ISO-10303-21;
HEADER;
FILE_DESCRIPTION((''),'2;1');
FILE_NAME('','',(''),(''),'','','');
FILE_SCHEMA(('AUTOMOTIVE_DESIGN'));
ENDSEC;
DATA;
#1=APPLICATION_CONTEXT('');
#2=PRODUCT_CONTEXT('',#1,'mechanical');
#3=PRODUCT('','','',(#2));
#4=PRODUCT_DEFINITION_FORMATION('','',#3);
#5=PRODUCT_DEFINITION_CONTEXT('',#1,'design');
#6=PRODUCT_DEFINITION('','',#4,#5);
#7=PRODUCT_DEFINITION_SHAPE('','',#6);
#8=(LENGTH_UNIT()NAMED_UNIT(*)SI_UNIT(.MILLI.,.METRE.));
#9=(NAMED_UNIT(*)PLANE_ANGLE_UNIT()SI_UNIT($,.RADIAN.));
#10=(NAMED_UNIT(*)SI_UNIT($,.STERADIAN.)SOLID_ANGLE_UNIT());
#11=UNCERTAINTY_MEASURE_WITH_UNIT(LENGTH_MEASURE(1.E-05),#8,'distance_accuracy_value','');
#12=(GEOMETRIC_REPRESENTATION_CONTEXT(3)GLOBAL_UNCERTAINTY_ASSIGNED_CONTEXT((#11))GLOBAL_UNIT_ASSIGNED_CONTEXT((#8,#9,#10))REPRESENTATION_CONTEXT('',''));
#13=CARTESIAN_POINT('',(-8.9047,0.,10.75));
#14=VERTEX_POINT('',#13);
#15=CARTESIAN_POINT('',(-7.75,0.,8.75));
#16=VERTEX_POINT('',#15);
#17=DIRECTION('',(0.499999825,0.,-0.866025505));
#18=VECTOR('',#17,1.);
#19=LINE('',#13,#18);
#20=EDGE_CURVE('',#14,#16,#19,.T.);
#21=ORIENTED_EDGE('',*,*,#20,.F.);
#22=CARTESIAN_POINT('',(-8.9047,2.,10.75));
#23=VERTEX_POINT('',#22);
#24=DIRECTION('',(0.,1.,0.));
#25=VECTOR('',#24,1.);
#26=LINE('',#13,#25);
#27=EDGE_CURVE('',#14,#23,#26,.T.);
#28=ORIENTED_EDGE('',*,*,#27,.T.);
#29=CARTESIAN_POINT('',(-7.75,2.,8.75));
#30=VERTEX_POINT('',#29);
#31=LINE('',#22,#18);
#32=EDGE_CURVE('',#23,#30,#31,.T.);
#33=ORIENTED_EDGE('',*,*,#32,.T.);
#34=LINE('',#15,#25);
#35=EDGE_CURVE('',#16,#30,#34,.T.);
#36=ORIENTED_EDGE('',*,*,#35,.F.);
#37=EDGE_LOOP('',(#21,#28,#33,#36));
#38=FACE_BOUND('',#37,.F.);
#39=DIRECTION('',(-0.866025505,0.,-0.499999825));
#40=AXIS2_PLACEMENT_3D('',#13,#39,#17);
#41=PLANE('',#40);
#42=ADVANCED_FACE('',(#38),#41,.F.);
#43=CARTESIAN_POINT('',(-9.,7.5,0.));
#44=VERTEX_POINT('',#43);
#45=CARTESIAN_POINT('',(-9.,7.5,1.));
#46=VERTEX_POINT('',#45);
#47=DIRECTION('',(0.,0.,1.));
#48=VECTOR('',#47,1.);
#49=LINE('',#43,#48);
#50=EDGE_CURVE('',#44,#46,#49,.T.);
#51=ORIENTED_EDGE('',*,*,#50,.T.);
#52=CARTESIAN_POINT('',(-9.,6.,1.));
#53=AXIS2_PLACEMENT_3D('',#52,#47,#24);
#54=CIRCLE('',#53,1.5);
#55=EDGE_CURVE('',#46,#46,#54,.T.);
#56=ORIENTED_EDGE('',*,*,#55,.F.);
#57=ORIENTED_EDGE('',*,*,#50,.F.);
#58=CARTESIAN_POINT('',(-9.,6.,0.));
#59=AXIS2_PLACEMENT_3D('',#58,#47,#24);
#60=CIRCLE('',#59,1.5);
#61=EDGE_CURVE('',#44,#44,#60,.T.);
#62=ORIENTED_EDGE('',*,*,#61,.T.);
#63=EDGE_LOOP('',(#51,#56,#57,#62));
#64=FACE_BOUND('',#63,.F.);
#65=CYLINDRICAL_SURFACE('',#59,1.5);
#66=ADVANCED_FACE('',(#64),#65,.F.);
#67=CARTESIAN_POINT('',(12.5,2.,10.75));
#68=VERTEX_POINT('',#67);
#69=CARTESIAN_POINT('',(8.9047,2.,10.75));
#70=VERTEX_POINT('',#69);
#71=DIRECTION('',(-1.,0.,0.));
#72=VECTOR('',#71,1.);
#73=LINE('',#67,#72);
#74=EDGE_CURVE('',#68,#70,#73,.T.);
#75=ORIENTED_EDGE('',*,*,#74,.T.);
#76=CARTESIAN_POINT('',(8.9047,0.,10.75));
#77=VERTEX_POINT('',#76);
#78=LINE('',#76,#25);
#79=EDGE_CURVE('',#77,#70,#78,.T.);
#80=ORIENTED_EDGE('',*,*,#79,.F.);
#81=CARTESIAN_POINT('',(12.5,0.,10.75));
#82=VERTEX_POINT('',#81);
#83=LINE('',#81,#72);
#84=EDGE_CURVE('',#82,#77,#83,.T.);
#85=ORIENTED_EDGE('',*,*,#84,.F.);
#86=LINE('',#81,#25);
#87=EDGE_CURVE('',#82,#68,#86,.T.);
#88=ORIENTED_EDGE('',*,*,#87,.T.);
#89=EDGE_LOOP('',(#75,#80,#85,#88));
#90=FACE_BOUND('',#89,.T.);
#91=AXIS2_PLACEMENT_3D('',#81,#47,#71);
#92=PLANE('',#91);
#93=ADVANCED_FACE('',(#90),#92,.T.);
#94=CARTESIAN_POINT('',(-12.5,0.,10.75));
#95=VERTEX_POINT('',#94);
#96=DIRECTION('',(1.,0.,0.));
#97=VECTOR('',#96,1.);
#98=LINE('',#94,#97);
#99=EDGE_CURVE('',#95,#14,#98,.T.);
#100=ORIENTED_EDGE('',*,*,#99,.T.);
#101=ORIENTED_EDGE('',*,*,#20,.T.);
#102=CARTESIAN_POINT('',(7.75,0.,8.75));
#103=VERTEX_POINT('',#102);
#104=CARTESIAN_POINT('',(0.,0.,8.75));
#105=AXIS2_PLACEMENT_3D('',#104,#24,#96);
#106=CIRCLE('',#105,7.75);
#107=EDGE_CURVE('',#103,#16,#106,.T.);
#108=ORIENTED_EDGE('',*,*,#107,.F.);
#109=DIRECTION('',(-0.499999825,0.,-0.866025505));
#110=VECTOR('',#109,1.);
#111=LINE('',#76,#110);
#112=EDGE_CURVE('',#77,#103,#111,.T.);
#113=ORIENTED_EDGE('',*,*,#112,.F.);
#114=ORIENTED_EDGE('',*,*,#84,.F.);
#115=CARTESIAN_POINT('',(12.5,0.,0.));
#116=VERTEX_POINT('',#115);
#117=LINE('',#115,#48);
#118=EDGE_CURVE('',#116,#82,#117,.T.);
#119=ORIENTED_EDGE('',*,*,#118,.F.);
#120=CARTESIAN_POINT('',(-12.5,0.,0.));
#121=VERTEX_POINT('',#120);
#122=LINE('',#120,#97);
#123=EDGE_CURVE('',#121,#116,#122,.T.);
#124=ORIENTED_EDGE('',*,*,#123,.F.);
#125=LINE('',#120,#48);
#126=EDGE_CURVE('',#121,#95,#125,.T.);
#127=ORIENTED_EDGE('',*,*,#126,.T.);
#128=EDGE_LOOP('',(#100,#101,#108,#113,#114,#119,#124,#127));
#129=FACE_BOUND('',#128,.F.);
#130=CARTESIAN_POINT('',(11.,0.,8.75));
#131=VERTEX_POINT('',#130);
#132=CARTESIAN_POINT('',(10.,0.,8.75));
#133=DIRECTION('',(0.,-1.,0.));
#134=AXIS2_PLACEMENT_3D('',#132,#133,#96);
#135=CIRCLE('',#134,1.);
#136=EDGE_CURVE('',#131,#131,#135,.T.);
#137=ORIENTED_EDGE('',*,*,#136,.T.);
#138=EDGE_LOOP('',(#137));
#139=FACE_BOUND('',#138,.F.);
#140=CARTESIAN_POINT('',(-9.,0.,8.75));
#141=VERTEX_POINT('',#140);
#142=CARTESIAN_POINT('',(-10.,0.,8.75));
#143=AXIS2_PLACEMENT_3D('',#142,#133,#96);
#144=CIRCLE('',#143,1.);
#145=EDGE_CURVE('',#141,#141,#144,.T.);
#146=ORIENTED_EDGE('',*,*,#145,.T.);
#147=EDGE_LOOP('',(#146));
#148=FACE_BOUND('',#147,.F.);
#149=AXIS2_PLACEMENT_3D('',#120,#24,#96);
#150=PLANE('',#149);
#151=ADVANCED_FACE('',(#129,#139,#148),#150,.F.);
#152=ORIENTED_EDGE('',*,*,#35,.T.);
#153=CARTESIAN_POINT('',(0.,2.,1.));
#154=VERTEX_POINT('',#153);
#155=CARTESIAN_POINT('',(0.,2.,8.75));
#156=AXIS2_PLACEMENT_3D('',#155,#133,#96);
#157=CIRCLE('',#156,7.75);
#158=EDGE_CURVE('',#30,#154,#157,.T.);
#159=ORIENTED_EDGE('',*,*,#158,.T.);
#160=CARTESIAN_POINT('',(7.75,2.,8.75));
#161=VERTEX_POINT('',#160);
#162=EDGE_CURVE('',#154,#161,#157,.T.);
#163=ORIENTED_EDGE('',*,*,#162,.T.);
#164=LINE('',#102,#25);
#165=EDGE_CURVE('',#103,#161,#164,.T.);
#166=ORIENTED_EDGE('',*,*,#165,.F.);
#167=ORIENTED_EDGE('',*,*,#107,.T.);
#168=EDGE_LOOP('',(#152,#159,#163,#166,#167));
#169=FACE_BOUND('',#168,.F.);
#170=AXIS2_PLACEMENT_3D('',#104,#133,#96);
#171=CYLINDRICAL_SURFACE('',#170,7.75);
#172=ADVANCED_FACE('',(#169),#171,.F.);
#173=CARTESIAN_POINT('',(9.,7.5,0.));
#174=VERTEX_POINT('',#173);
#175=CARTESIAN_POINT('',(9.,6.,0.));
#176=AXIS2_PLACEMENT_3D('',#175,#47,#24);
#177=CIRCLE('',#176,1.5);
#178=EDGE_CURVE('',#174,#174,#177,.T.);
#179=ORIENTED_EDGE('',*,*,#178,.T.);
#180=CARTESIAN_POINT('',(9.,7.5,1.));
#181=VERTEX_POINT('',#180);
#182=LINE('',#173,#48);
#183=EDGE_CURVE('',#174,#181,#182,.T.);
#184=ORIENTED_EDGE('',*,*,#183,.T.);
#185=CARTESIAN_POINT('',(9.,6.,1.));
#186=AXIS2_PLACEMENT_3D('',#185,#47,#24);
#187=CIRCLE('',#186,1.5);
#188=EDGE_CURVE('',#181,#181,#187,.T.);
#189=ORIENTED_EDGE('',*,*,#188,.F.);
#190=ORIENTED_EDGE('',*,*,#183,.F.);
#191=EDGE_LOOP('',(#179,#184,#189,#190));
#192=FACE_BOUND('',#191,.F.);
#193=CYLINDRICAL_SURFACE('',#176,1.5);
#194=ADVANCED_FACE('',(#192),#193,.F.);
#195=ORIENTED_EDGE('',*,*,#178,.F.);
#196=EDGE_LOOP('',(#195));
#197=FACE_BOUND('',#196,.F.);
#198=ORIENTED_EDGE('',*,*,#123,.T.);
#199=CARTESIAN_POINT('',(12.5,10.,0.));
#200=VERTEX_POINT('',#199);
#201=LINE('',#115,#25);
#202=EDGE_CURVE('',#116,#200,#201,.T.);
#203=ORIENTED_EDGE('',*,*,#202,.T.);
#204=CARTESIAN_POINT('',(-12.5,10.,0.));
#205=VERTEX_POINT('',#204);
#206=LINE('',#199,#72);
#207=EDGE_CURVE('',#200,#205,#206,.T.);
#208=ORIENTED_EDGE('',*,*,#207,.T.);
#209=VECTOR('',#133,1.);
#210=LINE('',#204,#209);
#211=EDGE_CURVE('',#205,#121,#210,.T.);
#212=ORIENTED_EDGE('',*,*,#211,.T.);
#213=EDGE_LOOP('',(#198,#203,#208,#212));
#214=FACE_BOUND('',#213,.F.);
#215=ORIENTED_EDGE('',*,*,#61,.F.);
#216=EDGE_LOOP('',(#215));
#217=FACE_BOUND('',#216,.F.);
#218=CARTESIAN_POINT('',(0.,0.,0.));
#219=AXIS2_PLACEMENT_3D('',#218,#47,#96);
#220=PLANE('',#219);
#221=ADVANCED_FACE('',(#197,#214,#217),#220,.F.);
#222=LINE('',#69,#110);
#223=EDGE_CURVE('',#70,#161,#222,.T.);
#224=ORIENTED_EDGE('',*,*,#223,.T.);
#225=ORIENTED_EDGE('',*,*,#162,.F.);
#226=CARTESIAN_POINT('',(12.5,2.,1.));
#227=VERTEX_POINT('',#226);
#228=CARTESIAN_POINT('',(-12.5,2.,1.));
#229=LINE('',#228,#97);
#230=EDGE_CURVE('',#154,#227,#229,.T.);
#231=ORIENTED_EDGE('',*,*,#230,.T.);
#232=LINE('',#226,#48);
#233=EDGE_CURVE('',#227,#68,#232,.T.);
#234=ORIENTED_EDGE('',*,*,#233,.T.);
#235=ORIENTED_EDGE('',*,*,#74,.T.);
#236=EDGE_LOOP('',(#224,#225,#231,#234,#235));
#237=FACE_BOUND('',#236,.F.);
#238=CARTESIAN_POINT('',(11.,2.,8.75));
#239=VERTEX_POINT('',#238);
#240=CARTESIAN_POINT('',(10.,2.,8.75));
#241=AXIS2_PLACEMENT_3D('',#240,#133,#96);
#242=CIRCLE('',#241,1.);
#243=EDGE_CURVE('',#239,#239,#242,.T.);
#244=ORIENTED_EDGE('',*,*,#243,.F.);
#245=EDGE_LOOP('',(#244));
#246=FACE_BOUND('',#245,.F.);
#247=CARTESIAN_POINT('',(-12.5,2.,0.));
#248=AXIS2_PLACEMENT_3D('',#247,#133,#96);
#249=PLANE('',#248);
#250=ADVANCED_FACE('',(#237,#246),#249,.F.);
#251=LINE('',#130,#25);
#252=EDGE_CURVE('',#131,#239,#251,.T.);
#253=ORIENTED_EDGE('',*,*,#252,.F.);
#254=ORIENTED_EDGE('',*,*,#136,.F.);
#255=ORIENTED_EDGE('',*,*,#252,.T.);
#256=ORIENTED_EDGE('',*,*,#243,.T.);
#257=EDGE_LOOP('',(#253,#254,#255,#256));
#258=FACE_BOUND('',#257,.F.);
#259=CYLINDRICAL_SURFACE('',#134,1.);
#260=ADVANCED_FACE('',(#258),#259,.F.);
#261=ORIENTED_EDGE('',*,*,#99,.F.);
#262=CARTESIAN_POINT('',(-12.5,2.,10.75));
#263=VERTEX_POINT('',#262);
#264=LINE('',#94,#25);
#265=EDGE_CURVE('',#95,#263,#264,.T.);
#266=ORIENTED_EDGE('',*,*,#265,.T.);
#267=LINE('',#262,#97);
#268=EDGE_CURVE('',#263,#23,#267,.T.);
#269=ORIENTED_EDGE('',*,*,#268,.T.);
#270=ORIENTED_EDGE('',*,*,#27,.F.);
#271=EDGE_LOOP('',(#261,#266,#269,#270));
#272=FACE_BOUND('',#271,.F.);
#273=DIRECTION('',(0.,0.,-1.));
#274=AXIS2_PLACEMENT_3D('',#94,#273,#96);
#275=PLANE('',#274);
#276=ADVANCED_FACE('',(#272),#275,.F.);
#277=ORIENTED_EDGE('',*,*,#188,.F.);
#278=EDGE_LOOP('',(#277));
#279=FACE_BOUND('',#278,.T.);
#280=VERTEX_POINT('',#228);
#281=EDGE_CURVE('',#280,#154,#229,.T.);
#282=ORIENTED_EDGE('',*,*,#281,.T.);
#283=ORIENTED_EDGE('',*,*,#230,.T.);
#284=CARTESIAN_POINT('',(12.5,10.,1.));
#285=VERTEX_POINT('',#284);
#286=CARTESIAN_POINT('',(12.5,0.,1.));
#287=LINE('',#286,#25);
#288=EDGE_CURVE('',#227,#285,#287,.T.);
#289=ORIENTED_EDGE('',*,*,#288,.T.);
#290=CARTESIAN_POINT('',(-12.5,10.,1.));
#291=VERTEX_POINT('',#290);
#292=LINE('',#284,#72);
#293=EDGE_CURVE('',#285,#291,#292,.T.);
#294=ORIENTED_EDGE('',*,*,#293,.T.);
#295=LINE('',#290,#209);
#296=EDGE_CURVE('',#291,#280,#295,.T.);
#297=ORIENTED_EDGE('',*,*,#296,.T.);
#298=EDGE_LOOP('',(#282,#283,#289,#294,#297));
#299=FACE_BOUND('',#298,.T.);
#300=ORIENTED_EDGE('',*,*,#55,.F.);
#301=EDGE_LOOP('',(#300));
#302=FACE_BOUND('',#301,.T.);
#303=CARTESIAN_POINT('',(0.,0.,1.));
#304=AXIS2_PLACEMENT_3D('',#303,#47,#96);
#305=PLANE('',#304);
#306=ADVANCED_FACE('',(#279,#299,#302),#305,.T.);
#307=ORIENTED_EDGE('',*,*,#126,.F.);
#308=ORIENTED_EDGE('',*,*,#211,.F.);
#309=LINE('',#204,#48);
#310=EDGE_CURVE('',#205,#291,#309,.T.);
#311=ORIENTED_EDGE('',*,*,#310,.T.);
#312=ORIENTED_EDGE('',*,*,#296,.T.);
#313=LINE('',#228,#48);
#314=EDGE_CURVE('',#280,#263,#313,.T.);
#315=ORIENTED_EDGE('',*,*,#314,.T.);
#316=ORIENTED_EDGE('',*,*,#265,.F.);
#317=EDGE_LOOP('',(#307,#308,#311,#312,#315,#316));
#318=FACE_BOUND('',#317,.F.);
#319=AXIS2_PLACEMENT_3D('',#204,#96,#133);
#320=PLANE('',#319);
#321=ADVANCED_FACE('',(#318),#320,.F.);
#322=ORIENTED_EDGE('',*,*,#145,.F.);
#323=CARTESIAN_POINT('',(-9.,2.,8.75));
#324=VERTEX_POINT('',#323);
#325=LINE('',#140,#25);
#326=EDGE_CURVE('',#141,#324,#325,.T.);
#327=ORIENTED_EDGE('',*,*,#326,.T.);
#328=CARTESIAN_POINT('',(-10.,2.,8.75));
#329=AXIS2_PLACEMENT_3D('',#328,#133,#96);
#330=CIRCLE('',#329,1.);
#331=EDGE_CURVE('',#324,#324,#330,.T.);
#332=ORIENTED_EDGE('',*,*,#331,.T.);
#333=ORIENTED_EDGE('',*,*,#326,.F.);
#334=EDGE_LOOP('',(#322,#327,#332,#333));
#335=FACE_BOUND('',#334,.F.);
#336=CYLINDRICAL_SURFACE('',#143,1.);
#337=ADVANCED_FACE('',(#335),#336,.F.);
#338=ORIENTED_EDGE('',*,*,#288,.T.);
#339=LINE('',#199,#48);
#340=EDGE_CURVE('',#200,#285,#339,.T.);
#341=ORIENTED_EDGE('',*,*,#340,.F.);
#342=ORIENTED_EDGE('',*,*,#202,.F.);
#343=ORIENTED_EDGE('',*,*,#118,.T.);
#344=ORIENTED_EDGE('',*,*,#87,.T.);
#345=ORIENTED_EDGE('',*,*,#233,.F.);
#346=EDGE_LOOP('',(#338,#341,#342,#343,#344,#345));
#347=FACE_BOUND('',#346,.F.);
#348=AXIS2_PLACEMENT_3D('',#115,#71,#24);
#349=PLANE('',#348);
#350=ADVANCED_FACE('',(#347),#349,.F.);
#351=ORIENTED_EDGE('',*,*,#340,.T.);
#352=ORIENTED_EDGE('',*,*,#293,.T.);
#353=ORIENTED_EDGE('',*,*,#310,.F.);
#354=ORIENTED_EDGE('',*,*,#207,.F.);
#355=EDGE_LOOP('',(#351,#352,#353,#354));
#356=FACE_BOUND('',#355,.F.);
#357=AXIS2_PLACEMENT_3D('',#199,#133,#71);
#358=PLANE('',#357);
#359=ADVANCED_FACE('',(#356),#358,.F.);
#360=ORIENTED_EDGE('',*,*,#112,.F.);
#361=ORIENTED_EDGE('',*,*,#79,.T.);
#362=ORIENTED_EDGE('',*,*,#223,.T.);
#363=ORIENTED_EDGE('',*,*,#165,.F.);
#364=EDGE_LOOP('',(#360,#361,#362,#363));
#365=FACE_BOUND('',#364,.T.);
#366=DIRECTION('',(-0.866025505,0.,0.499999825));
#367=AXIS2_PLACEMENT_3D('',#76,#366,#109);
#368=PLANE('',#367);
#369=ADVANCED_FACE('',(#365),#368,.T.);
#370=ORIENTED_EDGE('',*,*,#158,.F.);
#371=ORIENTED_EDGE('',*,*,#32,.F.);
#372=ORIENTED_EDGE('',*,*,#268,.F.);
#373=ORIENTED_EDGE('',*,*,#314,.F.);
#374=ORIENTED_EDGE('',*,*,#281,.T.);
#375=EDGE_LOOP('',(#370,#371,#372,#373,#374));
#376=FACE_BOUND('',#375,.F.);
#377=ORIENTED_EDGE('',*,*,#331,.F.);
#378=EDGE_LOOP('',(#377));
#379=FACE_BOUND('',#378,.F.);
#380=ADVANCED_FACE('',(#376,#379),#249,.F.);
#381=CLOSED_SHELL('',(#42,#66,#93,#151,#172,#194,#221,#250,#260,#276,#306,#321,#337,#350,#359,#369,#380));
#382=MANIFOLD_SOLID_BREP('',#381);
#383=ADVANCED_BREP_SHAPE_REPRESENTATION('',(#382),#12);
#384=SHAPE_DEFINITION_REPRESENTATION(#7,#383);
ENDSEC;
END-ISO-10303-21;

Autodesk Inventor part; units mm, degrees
ref_plane "YZ Plane" through (0, 0, 0) normal (1, 0, 0) x (0, 1, 0)
ref_plane "XZ Plane" through (0, 0, 0) normal (0, 1, 0) x (-1, 0, 0)
ref_plane "XY Plane" through (0, 0, 0) normal (0, 0, 1) x (1, 0, 0)
sketch "スケッチ1" plane through (0, 0, 0) normal (0, 0, 1) x (1, 0, 0)
  line L0 (-12.5, 0) -> (12.5, 0)
  line L1 (12.5, 0) -> (12.5, 10)
  line L2 (12.5, 10) -> (-12.5, 10)
  line L3 (-12.5, 10) -> (-12.5, 0)
  point P0 (0, 0)
  point P1 (0, 0)
  dimension "d0" = 25
  dimension "d1" = 10
extrude "押し出し1" add sketch "スケッチ1" along normal blind 1
sketch "スケッチ2" plane through (-12.5, 0, 0) normal (0, -1, 0) x (1, 0, 0)
  line L0 (12.5, 0) -> (12.5, 16.3622) construction
  circle A0 centre (12.5, 8.75) radius 7.75
  line L1 (0, 1) -> (25, 1) construction
  line L2 (-3.4099, 8.75) -> (28.4099, 8.75) construction
  circle A1 centre (2.5, 8.75) radius 1
  circle A2 centre (22.5, 8.75) radius 1
  line L3 (0, 1) -> (0, 10.75)
  line L4 (0, 1) -> (25, 1)
  line L5 (25, 1) -> (25, 10.75)
  line L6 (0, 10.75) -> (3.5953, 10.75)
  line L7 (3.5953, 10.75) -> (4.75, 8.75)
  line L8 (25, 10.75) -> (21.4047, 10.75)
  line L9 (21.4047, 10.75) -> (20.25, 8.75)
  point P0 (12.5, 1)
  dimension "d4" = 15.5
  dimension "d5" = 2
  dimension "d6" = 20
  dimension "d8" = 2
  dimension "d9" = 60
  dimension "d10" = 60
extrude "押し出し2" add sketch "スケッチ2" against normal blind 2 contours L9 L8 L5 L4 A0 | A0 L4 L3 L6 L7
sketch "スケッチ4" plane through (0, 0, 0) normal (0, 0, -1) x (-1, 0, 0)
  line L0 (18.7059, 6) -> (-18.7059, 6) construction
  line L1 (0, -10.402) -> (0, 10.402) construction
  line L2 (12.5, 0) -> (-12.5, 0) construction
  point P0 (0, 0)
  point P1 (0, 0)
  point P2 (0, 6)
  point P3 (9, 6)
  point P4 (-9, 6)
  dimension "d17" = 18
  dimension "d18" = 6
hole "穴1" at (-9, 6, 0) at (9, 6, 0) direction (0, 0, 1) diameter 3 end through all
equation "\"d10\" = d9"
properties part number "Stepper-D15-S18_Braket"
